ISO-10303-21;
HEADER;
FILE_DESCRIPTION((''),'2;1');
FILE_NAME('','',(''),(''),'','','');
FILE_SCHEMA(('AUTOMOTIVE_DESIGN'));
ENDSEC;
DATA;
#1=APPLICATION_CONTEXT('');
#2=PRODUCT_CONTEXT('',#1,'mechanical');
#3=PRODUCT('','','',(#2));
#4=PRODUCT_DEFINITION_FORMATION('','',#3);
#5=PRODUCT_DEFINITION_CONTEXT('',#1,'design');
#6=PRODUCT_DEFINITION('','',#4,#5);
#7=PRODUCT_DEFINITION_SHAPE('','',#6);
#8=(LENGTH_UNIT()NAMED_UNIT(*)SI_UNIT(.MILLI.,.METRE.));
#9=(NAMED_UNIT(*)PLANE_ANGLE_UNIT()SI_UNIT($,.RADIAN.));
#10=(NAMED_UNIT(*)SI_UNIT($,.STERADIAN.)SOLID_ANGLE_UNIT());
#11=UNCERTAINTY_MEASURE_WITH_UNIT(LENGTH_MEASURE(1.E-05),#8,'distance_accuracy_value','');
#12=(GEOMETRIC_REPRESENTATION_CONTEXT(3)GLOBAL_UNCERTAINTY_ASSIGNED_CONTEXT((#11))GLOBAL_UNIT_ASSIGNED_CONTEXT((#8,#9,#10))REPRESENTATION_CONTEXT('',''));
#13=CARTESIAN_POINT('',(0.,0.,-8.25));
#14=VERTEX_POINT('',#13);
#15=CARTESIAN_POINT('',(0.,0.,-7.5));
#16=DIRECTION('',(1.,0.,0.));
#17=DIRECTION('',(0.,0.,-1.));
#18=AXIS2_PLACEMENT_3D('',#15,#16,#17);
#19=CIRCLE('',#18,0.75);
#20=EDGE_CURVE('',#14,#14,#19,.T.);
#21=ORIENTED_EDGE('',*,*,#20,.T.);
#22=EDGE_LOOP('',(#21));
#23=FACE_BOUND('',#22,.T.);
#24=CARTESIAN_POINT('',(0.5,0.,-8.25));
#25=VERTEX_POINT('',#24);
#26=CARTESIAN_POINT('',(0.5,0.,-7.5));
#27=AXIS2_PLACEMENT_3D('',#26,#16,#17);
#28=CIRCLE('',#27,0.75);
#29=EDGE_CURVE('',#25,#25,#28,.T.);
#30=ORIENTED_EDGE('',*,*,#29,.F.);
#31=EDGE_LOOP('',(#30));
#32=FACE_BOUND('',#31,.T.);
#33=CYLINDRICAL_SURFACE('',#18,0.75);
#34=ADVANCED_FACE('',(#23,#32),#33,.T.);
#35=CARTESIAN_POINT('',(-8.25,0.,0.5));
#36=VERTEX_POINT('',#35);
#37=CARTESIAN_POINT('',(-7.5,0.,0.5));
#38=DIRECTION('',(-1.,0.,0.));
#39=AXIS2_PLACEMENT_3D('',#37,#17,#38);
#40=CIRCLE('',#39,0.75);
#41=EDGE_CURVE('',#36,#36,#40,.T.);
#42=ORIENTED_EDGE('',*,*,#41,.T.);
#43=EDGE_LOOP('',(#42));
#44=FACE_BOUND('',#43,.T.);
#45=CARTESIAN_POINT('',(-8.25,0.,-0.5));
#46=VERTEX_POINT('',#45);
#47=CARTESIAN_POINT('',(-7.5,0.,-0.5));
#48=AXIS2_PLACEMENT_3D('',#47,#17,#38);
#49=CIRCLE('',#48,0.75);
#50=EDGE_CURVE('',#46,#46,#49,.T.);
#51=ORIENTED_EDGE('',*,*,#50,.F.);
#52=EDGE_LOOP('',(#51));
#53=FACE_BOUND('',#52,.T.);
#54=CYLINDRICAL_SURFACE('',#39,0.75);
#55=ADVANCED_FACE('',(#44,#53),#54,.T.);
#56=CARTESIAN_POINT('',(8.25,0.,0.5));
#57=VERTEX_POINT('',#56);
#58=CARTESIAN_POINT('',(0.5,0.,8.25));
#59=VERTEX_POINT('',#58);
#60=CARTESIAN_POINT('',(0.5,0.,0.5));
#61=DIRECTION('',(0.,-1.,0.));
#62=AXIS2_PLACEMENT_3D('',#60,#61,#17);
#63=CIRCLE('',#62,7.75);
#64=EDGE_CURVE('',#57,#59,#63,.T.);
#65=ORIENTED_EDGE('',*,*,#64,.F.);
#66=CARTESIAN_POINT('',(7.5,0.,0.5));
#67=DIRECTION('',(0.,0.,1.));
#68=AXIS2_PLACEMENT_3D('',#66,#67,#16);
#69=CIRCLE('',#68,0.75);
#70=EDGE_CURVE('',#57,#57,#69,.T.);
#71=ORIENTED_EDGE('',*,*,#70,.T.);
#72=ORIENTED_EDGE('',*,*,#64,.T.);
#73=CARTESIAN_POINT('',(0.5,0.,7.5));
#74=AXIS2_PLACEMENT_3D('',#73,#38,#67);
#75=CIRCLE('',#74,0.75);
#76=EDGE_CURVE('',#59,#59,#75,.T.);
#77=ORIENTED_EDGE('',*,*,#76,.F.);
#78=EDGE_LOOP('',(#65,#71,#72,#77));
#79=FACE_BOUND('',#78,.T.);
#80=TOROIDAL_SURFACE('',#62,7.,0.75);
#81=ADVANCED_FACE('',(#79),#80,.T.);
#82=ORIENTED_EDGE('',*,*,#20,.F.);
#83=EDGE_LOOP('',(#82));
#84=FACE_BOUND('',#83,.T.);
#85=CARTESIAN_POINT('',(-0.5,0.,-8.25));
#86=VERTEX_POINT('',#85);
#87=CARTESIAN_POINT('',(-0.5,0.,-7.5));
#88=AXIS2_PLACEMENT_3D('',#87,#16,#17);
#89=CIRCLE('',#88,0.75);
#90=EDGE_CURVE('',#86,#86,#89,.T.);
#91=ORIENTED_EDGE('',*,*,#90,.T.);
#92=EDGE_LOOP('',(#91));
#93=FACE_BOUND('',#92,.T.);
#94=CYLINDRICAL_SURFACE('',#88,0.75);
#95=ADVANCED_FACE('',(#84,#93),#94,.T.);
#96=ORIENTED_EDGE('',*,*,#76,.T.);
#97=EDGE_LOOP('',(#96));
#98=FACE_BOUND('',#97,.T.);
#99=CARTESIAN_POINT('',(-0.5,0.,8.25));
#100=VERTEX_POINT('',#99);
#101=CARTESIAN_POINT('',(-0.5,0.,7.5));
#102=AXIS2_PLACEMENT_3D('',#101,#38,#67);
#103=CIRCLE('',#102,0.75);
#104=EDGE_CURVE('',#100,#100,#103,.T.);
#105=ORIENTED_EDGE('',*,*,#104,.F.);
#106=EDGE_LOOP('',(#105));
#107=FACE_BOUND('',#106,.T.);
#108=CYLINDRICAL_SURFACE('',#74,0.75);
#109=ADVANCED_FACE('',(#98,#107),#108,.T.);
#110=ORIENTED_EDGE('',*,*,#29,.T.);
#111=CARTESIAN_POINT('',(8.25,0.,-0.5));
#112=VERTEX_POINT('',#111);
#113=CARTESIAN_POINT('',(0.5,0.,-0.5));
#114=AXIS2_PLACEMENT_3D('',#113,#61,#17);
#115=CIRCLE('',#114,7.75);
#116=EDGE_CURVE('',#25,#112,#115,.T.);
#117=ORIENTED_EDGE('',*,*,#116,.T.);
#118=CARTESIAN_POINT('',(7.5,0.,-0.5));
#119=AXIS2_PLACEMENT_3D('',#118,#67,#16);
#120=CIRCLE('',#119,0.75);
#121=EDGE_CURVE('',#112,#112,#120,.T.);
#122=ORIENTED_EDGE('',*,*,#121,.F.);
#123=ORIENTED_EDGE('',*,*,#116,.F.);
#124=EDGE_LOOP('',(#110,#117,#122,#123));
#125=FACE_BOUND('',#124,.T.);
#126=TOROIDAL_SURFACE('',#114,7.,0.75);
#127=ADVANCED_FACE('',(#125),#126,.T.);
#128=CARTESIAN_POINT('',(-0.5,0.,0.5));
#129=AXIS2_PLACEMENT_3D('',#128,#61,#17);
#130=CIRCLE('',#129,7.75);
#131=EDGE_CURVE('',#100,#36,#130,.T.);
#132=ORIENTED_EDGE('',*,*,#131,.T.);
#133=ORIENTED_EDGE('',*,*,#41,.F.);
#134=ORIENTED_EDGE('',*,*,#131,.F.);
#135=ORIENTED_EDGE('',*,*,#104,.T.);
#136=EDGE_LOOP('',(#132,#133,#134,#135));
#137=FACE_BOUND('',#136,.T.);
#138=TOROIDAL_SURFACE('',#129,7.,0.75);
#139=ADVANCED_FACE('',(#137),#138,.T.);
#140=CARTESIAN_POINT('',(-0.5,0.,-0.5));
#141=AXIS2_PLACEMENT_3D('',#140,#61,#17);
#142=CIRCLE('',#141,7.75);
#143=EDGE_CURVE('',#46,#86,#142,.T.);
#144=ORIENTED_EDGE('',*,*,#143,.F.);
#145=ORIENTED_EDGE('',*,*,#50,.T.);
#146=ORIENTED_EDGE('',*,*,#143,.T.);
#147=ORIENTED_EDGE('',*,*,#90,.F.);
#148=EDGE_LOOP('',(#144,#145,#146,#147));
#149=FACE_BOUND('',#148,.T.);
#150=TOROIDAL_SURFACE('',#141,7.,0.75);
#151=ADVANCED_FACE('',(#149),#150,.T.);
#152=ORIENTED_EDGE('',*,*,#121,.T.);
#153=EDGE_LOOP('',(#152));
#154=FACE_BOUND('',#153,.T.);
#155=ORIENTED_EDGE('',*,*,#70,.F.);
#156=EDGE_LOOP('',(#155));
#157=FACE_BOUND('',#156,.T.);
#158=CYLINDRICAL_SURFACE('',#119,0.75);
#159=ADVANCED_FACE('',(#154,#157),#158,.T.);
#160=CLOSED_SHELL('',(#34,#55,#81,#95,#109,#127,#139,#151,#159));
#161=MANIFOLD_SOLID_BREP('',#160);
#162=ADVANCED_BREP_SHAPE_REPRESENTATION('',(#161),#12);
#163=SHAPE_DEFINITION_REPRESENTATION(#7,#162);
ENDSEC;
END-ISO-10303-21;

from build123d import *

# Parameters (mm, degrees)
SKETCH2_R = 0.75


with BuildPart() as part:
    # Sweep1: sweep along a path in Sketch1
    with BuildLine(Plane(origin=(0, 0, 0), x_dir=(1, 0, 0), z_dir=(0, 1, 0))) as sweep1_path:
        Line((-0.5, -7.5), (0.5, -7.5))
        ThreePointArc((0.5, -7.5), (5.449747468, -5.449747468), (7.5, -0.5))
        Line((7.5, -0.5), (7.5, 0.5))
        ThreePointArc((7.5, 0.5), (5.449747468, 5.449747468), (0.5, 7.5))
        Line((0.5, 7.5), (-0.5, 7.5))
        ThreePointArc((-0.5, 7.5), (-5.449747468, 5.449747468), (-7.5, 0.5))
        Line((-7.5, 0.5), (-7.5, -0.5))
        ThreePointArc((-7.5, -0.5), (-5.449747468, -5.449747468), (-0.5, -7.5))
    # Sketch2 → Sweep1 (sweep)
    with BuildSketch(Plane(origin=(0, 0, 0), x_dir=(0, 0, -1), z_dir=(1, 0, 0))):
        with Locations((7.5, 0)):
            Circle(SKETCH2_R)
    sweep(path=sweep1_path.line)


solid = part.part
